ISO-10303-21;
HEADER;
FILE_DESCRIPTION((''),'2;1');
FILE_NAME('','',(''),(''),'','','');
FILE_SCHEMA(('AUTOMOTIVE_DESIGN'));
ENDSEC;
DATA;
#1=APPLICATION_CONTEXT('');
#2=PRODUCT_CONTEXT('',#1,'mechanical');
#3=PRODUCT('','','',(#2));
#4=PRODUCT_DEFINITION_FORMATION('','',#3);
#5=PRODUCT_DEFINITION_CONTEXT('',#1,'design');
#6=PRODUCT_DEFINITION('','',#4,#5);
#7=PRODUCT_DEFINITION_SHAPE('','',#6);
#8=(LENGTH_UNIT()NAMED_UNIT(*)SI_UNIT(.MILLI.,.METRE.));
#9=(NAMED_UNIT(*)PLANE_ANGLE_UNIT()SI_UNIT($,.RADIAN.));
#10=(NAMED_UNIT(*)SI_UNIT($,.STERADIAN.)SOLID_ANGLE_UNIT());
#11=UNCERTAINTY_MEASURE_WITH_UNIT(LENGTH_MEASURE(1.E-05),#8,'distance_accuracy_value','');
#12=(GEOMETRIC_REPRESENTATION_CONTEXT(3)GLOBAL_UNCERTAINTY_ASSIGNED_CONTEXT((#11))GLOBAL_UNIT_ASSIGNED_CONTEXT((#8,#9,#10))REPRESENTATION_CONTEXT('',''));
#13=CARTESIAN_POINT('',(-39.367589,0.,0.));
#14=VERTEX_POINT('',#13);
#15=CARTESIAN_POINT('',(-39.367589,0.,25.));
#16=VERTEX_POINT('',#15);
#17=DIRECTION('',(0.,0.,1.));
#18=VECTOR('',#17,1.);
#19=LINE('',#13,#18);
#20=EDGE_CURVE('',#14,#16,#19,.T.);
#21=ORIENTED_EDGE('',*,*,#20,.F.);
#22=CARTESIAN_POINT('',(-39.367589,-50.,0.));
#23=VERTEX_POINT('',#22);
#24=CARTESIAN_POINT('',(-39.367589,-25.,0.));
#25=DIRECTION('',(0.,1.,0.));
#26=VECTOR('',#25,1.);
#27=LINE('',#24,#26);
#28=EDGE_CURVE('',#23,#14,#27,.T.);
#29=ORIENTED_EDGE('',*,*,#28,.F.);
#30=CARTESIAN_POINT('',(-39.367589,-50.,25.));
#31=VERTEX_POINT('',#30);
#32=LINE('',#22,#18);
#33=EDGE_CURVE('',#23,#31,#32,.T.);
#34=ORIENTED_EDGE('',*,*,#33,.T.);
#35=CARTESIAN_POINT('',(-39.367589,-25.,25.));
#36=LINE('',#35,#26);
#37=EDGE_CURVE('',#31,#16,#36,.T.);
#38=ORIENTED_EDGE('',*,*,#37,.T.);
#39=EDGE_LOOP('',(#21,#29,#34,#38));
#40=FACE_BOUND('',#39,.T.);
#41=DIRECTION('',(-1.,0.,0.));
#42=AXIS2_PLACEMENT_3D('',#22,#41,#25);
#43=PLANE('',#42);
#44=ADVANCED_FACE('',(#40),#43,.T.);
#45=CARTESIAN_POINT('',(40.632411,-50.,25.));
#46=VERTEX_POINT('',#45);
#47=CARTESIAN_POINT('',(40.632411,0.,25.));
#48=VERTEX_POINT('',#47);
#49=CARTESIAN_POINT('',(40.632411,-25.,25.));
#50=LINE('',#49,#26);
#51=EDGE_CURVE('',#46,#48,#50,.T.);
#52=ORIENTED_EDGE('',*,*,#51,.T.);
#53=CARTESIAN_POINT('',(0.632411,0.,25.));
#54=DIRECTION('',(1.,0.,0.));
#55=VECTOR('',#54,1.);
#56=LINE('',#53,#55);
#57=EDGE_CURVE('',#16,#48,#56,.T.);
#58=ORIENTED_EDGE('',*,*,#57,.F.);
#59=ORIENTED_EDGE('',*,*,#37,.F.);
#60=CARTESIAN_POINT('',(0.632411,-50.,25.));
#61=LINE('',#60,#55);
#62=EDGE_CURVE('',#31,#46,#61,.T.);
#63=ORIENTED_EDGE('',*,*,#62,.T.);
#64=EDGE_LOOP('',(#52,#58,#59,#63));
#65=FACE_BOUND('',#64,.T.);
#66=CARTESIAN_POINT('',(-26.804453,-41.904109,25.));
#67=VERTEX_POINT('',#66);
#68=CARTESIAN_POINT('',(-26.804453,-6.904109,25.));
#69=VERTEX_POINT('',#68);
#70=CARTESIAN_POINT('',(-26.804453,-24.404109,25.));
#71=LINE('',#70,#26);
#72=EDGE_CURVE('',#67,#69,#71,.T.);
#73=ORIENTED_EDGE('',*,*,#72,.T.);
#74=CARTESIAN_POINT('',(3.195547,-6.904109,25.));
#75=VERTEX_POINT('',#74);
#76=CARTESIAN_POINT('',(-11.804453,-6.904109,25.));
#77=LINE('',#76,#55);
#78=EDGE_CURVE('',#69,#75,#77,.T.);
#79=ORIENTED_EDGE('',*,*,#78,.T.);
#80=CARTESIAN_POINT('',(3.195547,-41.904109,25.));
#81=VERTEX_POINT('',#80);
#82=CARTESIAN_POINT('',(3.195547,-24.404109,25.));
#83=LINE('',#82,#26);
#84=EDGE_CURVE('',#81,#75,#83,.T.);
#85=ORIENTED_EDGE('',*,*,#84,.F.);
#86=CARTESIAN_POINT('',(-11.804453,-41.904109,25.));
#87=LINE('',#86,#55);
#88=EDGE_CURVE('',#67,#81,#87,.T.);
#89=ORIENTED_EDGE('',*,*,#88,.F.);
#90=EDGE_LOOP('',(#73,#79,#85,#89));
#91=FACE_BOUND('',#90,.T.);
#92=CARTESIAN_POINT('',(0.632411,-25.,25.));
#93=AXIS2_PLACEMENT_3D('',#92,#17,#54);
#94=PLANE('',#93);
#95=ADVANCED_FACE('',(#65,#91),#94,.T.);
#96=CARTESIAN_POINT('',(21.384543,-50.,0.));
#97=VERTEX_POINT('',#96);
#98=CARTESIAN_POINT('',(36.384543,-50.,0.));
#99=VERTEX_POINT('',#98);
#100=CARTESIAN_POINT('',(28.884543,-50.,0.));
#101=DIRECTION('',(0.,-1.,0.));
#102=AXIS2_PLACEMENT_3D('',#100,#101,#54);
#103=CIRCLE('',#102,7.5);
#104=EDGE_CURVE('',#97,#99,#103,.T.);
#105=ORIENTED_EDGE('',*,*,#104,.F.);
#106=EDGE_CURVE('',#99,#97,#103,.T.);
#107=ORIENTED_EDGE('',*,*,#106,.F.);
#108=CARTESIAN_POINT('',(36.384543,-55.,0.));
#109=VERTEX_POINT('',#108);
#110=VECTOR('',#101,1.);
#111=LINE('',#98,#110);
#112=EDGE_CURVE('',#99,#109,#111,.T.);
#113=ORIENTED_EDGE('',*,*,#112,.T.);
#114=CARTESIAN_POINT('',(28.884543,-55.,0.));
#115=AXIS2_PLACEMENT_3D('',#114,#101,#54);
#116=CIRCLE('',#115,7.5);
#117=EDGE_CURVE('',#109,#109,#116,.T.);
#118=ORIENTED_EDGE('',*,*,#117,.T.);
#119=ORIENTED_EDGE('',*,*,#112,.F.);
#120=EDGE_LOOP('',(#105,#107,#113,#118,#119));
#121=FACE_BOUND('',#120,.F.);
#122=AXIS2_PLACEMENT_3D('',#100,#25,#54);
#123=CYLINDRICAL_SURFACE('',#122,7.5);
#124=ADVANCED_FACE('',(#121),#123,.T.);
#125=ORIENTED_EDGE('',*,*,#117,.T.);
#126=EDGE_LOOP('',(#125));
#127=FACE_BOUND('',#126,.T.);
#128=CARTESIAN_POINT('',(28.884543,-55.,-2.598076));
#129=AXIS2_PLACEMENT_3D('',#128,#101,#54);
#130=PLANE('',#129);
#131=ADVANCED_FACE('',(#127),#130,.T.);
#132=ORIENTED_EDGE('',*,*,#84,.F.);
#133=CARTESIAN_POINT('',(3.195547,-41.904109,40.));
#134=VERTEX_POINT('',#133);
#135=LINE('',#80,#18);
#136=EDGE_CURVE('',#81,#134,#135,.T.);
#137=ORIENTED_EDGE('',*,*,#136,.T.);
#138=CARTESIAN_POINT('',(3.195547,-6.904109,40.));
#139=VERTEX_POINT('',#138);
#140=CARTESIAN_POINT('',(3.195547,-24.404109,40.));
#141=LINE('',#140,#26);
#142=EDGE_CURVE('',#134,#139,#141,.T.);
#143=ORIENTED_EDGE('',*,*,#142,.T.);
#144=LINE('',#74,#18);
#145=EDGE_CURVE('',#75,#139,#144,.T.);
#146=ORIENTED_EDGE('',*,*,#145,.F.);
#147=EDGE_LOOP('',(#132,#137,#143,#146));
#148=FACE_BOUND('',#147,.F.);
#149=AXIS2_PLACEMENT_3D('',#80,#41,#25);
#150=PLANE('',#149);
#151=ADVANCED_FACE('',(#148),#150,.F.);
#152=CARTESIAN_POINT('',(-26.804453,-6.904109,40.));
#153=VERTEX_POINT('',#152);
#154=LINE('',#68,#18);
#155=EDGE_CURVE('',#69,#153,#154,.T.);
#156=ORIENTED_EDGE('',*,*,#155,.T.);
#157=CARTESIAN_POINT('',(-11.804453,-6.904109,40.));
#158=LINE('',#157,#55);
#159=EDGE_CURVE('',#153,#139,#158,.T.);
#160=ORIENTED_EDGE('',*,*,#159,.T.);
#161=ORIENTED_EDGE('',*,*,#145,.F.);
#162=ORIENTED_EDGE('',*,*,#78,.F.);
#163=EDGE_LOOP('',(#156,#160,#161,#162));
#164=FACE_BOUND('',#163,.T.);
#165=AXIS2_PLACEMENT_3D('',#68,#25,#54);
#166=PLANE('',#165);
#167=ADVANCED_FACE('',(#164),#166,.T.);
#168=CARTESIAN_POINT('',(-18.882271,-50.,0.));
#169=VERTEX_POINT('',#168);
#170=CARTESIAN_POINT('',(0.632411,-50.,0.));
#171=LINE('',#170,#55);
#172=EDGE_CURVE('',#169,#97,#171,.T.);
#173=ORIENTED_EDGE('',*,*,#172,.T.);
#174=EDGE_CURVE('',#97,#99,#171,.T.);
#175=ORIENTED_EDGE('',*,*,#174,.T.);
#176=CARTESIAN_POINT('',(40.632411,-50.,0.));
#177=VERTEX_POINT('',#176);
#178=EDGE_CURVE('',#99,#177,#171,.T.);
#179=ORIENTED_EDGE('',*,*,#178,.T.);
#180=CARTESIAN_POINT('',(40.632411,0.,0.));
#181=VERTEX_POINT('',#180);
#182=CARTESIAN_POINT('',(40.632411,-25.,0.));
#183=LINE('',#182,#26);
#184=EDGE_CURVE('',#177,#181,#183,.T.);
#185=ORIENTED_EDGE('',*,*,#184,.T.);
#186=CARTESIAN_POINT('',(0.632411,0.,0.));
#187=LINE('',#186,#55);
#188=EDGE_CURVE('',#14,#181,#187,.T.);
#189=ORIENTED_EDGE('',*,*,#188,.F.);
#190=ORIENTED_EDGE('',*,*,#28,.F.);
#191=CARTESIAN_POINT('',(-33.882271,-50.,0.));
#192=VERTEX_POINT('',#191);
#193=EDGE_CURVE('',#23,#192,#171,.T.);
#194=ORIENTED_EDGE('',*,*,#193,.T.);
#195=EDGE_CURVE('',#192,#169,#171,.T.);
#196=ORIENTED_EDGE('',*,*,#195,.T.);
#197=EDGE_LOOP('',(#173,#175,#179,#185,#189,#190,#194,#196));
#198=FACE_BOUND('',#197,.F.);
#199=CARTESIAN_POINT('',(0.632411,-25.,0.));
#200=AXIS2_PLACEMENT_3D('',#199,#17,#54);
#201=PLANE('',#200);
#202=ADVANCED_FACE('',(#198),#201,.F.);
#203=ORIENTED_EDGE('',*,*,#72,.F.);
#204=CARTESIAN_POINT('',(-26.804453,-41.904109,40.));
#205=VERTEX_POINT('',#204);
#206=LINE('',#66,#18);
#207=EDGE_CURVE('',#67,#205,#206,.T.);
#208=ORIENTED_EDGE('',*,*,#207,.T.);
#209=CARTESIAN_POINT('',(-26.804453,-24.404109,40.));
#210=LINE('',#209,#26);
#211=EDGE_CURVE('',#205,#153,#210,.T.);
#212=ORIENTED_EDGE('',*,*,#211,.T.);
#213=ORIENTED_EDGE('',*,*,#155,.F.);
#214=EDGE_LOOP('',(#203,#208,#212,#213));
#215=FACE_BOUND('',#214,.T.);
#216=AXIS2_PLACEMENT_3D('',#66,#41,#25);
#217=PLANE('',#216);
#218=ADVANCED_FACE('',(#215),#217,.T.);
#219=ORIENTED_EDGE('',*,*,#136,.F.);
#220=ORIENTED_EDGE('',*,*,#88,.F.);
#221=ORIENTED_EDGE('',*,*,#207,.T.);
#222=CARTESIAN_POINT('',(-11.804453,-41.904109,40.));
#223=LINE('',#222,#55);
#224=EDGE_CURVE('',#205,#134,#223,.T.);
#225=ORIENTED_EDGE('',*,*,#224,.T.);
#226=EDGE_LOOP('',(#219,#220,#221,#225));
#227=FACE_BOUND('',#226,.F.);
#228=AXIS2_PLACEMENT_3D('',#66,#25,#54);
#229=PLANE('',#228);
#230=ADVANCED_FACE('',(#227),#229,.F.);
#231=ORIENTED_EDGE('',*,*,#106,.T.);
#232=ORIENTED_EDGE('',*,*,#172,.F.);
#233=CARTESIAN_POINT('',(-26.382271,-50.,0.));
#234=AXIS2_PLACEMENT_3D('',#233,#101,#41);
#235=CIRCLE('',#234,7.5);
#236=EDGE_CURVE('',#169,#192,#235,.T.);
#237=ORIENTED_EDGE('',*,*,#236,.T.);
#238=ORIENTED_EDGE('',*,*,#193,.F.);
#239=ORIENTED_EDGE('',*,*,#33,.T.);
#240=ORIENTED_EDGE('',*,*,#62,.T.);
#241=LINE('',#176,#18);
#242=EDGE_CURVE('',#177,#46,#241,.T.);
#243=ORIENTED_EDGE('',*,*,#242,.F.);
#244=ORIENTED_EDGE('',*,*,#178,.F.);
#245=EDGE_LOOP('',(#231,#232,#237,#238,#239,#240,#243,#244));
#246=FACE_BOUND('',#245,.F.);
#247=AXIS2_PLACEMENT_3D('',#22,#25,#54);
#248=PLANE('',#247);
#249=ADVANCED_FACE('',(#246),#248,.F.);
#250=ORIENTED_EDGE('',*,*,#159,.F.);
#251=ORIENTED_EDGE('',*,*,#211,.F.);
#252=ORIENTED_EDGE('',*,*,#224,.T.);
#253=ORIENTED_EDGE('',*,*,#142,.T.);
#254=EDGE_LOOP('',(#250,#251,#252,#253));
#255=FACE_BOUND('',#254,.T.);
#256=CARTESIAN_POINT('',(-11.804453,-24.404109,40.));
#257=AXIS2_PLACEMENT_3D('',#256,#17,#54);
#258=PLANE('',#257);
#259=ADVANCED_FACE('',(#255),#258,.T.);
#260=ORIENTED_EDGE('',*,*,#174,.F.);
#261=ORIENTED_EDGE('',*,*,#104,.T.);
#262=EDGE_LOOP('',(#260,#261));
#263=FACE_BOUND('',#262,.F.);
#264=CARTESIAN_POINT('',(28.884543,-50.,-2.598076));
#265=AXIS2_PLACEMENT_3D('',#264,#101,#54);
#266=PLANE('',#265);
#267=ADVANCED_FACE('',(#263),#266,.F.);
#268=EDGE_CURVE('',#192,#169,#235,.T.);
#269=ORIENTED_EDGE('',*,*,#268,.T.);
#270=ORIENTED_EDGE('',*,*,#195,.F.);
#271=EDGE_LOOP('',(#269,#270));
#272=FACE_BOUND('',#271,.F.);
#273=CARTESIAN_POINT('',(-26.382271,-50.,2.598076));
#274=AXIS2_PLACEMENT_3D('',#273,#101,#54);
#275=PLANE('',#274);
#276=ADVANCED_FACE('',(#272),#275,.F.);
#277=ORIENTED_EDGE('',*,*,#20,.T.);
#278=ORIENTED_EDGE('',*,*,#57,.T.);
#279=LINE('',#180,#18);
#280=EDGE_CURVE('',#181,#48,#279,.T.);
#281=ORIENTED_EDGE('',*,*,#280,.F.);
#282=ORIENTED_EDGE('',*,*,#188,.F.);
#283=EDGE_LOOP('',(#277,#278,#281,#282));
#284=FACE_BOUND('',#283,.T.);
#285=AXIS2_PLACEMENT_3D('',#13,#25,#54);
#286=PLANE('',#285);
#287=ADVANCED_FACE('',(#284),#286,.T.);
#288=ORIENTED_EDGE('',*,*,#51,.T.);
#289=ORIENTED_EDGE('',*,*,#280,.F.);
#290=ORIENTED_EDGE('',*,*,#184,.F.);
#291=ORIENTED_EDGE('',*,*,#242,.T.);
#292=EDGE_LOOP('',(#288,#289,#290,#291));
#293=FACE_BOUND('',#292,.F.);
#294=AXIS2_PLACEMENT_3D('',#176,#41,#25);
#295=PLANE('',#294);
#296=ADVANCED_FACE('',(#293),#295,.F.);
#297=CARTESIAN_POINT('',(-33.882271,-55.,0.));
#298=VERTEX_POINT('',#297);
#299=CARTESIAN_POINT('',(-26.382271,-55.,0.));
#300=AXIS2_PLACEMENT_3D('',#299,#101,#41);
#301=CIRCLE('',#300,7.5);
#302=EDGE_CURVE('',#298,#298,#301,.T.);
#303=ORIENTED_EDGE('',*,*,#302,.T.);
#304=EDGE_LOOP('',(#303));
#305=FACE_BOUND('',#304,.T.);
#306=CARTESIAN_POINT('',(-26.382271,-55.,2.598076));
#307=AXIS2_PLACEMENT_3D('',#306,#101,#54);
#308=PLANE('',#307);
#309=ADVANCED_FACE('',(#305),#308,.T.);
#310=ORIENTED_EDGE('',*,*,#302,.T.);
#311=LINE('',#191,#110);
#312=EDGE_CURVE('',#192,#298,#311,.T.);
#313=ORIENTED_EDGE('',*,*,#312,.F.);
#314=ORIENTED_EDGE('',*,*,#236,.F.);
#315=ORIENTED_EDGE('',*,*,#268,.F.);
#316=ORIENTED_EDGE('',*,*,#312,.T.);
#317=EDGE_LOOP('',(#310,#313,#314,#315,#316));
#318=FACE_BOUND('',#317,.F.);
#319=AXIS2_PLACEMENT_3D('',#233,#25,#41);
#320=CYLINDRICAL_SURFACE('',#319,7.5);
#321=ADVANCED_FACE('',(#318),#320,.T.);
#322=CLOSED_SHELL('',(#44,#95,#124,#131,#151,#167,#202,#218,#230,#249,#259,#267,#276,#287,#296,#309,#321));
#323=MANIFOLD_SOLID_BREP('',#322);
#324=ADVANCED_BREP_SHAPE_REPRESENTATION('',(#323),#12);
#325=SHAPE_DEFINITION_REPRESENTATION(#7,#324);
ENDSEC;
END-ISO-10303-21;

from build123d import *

# Parameters (mm, degrees)
F0_W     = 80
F0_H     = 50
F1_DEPTH = 25
F2_W     = 30
F2_H     = 35
F3_DEPTH = 15
F5_DEPTH = 5


with BuildPart() as f1:
    # F0 (on Top) → F1 (new body)
    with BuildSketch(Plane.XY):
        with Locations((0.632411, -25)):
            Rectangle(F0_W, F0_H)
    extrude(amount=F1_DEPTH)

    # F2 (on face) → F3 (join)
    with BuildSketch(Plane.XY.offset(25)):
        with Locations((-11.804453, -24.404109)):
            Rectangle(F2_W, F2_H)
    extrude(amount=F3_DEPTH)

    # F4 (on face) → F5 (join)
    with BuildSketch(Plane.XZ.offset(50)):
        with BuildLine():
            Line((-33.882271, 0), (-18.882271, 0))
            ThreePointArc((-18.882271, 0), (-26.382271, 7.5), (-33.882271, 0))
        make_face()
        with BuildLine():
            Line((36.384543, 0), (21.384543, 0))
            ThreePointArc((21.384543, 0), (28.884543, -7.5), (36.384543, 0))
        make_face()
        with BuildLine():
            ThreePointArc((-33.882271, 0), (-26.382271, -7.5), (-18.882271, 0))
            Line((-18.882271, 0), (-33.882271, 0))
        make_face()
        with BuildLine():
            ThreePointArc((36.384543, 0), (28.884543, 7.5), (21.384543, 0))
            Line((21.384543, 0), (36.384543, 0))
        make_face()
    extrude(amount=F5_DEPTH)


solid = f1.part
